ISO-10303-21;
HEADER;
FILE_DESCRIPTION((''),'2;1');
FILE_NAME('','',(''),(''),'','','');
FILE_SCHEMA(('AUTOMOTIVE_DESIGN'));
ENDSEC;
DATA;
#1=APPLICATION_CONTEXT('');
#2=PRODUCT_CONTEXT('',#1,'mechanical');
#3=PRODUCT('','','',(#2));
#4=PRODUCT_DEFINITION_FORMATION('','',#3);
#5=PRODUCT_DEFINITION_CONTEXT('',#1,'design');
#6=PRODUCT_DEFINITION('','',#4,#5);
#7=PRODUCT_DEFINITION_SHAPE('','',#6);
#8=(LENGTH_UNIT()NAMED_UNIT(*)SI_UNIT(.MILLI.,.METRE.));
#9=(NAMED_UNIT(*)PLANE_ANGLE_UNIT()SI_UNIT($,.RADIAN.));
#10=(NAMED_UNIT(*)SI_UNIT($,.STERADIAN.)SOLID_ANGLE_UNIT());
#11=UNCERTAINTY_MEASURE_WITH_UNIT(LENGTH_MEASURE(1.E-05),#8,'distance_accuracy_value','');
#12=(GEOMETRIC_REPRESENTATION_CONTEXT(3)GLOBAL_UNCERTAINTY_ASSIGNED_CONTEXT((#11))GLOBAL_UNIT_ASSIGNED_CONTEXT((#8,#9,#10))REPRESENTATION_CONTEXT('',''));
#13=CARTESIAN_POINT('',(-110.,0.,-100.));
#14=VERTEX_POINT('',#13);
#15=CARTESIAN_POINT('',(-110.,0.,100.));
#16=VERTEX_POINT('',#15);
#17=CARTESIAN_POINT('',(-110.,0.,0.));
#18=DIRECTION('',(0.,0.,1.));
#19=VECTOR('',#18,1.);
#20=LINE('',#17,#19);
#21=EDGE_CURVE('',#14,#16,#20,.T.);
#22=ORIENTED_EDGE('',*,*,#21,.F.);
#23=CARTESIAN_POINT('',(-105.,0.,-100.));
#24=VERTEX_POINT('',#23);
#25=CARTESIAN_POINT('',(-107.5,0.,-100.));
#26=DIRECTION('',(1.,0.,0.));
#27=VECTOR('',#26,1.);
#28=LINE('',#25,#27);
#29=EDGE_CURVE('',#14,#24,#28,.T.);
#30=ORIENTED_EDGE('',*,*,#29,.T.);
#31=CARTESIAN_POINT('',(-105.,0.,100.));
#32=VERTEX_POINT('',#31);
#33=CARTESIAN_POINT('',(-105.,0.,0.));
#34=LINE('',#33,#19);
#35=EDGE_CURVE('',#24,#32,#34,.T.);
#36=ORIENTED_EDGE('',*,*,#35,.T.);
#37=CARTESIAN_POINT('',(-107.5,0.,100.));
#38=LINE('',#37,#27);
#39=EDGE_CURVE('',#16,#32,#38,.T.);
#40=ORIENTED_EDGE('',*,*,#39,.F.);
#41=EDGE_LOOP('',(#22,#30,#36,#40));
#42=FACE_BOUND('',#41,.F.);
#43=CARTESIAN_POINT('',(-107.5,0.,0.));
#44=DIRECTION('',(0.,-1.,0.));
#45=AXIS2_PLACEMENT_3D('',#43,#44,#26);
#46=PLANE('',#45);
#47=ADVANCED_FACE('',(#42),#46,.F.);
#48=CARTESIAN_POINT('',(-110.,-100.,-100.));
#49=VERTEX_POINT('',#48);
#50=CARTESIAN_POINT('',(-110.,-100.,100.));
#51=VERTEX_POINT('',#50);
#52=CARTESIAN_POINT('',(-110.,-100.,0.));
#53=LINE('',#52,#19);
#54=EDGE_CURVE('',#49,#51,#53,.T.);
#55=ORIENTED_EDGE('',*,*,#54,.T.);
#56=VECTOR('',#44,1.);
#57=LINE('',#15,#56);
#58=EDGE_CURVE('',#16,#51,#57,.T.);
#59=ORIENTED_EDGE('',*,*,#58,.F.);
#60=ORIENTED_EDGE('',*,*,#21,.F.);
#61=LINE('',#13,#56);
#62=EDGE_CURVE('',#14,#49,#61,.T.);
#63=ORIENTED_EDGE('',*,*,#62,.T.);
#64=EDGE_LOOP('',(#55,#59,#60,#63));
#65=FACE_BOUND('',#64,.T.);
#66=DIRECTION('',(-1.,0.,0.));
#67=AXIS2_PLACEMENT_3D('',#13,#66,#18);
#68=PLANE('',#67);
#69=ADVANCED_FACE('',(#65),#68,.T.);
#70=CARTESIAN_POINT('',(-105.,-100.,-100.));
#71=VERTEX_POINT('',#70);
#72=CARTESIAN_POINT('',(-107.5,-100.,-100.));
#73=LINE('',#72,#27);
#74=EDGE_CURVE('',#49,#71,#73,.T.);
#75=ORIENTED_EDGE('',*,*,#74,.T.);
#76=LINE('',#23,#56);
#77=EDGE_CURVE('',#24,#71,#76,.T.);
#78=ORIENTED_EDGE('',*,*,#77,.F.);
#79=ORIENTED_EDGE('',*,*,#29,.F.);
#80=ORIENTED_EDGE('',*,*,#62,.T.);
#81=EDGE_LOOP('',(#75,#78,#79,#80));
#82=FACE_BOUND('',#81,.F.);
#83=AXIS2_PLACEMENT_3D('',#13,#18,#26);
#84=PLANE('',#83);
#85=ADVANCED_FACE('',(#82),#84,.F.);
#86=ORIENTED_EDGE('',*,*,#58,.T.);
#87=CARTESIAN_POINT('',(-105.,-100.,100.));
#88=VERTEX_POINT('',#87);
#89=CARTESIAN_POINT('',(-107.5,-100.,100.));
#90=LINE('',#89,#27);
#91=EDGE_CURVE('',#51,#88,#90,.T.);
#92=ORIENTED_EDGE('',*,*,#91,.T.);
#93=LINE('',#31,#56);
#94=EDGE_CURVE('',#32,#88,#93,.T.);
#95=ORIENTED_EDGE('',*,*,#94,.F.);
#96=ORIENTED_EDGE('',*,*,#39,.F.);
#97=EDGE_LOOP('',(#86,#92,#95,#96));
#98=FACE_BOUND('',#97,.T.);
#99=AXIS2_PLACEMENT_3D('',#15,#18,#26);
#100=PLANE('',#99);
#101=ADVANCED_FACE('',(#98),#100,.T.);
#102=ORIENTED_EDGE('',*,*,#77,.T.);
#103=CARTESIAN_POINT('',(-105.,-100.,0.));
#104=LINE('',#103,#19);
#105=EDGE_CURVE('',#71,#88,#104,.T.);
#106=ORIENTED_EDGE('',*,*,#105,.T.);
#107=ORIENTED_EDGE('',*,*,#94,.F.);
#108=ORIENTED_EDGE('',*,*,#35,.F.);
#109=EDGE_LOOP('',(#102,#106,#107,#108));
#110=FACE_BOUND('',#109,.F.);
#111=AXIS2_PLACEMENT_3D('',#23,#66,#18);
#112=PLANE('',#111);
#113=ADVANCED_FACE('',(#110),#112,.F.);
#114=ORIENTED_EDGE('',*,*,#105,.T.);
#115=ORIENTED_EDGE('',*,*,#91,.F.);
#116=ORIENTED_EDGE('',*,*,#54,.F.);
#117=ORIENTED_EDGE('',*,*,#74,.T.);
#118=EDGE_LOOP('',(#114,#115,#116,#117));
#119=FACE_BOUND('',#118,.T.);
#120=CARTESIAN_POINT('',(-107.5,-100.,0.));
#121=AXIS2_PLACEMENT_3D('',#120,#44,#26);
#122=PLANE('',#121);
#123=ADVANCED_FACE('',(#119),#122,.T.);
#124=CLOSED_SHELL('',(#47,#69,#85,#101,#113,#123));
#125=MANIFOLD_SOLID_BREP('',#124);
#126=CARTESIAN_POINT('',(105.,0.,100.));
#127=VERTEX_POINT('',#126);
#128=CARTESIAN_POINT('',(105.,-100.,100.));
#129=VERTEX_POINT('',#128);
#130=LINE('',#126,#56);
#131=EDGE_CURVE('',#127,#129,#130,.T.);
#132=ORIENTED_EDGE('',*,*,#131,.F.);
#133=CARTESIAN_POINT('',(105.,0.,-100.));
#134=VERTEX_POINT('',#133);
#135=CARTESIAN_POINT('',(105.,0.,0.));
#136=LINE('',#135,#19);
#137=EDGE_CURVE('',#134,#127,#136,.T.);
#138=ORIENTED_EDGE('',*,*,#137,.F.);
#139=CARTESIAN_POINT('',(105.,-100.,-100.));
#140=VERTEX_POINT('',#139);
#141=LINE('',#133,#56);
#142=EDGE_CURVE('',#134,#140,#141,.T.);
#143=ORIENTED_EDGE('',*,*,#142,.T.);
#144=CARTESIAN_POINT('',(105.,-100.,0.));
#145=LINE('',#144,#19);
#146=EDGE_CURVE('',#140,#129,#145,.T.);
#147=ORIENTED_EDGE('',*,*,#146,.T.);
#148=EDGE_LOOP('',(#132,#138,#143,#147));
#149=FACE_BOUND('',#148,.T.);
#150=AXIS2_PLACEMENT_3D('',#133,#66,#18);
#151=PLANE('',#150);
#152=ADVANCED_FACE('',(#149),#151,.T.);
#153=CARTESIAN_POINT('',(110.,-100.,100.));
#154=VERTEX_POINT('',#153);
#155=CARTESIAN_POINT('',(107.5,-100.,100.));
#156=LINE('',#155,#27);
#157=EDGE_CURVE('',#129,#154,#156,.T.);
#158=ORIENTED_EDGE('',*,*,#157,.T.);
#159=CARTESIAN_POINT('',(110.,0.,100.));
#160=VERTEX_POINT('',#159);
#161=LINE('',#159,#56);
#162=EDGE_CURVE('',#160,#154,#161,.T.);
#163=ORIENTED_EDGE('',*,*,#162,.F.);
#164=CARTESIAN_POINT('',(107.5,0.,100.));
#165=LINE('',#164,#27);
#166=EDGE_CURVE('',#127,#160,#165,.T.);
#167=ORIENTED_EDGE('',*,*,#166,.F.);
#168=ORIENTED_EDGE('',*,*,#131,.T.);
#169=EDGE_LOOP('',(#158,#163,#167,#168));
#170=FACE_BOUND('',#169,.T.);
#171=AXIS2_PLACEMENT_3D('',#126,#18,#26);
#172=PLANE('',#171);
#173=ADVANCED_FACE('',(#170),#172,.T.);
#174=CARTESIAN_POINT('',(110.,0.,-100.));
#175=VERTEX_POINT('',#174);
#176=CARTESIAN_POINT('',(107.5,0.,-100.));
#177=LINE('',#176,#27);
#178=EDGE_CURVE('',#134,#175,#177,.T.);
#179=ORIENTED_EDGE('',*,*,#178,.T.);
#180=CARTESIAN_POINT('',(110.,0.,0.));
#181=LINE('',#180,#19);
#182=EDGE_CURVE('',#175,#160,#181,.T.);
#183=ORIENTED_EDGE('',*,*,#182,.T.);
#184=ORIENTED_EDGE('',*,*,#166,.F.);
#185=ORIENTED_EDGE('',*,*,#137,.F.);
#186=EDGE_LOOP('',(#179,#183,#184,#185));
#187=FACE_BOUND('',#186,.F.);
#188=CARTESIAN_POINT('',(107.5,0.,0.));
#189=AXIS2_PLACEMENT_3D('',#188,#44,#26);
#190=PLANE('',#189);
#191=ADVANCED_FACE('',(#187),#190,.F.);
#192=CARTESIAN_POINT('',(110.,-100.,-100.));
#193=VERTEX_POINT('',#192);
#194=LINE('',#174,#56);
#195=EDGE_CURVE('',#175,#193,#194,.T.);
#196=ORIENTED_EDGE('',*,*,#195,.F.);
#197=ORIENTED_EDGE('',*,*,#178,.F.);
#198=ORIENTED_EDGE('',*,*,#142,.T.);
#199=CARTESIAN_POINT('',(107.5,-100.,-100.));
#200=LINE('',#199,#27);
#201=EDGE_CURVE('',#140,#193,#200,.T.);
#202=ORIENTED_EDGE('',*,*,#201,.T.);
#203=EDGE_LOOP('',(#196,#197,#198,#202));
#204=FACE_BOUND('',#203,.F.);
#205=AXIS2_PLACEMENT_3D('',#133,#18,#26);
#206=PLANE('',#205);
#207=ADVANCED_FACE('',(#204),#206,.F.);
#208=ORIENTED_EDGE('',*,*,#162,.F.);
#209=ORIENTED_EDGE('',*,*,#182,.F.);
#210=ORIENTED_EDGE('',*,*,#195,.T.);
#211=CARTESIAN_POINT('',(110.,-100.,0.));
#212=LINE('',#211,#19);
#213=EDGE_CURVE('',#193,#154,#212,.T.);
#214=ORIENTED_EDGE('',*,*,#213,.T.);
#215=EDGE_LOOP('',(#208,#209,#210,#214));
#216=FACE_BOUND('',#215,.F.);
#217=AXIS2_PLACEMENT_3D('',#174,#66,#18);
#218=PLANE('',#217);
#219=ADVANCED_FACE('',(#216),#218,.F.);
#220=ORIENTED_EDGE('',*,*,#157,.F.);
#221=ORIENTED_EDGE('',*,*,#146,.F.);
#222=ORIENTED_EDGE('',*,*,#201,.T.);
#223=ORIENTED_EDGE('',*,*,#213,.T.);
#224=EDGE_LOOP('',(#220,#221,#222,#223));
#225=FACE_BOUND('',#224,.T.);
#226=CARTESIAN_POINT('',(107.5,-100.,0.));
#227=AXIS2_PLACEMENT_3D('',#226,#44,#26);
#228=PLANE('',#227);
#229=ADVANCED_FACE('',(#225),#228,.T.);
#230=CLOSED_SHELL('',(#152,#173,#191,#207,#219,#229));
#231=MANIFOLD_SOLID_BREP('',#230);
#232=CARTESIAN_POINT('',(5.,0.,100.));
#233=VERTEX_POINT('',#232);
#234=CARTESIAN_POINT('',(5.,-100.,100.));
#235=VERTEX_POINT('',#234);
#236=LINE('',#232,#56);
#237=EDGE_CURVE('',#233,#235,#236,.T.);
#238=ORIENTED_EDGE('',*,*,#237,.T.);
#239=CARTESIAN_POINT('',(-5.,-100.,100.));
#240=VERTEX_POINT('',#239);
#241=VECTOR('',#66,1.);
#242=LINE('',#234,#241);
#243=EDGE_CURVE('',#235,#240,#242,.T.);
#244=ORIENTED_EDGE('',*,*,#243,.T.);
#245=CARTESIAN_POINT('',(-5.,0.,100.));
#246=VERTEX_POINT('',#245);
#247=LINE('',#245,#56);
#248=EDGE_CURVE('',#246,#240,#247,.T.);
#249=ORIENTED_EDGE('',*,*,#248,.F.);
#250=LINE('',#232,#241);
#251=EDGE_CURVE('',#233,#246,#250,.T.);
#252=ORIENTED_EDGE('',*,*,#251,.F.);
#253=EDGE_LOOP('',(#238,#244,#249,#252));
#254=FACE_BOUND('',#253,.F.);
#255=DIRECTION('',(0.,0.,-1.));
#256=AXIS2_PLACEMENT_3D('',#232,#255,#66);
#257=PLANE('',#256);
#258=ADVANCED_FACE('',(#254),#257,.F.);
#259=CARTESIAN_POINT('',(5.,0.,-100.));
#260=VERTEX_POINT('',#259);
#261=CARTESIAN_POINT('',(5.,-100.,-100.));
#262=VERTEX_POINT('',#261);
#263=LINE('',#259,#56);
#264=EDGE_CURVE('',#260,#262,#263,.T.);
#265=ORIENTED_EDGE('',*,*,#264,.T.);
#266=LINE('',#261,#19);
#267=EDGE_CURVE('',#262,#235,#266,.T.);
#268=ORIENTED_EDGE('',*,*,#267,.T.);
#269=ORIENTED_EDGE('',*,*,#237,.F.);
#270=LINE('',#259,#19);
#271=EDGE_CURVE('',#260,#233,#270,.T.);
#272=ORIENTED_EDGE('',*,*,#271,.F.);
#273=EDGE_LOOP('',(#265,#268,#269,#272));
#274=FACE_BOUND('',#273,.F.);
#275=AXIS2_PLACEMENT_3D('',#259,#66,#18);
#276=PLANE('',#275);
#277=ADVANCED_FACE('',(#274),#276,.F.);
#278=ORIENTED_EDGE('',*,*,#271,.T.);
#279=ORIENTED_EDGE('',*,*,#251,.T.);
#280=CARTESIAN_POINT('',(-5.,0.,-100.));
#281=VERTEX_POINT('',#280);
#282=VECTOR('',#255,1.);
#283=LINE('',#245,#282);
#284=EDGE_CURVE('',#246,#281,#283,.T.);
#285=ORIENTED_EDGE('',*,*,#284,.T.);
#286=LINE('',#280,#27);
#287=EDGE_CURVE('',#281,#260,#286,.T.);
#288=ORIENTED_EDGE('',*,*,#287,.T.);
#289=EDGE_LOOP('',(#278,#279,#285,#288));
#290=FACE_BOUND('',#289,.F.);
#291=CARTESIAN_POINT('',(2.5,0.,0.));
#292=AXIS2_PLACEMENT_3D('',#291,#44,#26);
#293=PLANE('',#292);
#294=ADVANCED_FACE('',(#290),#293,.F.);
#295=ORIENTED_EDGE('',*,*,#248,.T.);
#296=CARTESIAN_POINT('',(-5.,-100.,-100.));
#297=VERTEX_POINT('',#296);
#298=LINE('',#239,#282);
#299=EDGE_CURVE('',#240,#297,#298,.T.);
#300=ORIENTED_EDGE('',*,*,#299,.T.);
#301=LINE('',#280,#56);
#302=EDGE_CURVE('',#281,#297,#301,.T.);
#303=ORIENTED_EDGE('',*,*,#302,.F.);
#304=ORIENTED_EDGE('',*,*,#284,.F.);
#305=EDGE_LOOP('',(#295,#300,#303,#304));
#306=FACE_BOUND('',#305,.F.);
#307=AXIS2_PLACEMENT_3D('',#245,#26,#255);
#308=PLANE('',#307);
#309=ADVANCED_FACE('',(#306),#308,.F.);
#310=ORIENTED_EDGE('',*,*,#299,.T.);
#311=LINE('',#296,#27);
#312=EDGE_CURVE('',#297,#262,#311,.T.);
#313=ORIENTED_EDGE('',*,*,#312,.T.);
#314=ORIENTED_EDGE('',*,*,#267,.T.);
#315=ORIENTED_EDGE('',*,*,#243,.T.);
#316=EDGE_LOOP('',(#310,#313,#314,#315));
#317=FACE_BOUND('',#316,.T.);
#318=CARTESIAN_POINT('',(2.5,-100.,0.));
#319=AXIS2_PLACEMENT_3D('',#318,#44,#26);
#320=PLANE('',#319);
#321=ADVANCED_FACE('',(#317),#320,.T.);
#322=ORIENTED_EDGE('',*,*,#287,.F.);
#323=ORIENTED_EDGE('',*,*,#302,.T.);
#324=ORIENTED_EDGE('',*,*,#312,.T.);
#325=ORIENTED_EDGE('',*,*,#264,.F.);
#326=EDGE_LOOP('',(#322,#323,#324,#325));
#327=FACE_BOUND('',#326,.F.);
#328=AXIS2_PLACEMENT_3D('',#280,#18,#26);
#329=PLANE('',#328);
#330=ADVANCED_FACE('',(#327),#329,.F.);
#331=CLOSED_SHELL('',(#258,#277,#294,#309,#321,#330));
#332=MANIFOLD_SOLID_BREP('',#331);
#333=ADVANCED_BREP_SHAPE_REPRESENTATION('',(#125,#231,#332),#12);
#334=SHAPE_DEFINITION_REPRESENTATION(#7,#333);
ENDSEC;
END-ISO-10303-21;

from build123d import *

# Parameters (mm, degrees)
F0_W     = 5
F0_H     = 200
F1_DEPTH = 100


with BuildPart() as f1:
    # F0 (on Front) → F1 (new body)
    with BuildSketch(Plane.XZ):
        Polygon((0, 100), (0, 0), (0, -100), (5, -100), (5, 0), (5, 100), align=None)
        Polygon((0, -100), (0, 0), (0, 100), (-5, 100), (-5, 0), (-5, -100), align=None)
        with Locations((107.5, 0)):
            Rectangle(F0_W, F0_H)
        with Locations((-107.5, 0)):
            Rectangle(F0_W, F0_H)
    extrude(amount=F1_DEPTH)


solid = f1.part
